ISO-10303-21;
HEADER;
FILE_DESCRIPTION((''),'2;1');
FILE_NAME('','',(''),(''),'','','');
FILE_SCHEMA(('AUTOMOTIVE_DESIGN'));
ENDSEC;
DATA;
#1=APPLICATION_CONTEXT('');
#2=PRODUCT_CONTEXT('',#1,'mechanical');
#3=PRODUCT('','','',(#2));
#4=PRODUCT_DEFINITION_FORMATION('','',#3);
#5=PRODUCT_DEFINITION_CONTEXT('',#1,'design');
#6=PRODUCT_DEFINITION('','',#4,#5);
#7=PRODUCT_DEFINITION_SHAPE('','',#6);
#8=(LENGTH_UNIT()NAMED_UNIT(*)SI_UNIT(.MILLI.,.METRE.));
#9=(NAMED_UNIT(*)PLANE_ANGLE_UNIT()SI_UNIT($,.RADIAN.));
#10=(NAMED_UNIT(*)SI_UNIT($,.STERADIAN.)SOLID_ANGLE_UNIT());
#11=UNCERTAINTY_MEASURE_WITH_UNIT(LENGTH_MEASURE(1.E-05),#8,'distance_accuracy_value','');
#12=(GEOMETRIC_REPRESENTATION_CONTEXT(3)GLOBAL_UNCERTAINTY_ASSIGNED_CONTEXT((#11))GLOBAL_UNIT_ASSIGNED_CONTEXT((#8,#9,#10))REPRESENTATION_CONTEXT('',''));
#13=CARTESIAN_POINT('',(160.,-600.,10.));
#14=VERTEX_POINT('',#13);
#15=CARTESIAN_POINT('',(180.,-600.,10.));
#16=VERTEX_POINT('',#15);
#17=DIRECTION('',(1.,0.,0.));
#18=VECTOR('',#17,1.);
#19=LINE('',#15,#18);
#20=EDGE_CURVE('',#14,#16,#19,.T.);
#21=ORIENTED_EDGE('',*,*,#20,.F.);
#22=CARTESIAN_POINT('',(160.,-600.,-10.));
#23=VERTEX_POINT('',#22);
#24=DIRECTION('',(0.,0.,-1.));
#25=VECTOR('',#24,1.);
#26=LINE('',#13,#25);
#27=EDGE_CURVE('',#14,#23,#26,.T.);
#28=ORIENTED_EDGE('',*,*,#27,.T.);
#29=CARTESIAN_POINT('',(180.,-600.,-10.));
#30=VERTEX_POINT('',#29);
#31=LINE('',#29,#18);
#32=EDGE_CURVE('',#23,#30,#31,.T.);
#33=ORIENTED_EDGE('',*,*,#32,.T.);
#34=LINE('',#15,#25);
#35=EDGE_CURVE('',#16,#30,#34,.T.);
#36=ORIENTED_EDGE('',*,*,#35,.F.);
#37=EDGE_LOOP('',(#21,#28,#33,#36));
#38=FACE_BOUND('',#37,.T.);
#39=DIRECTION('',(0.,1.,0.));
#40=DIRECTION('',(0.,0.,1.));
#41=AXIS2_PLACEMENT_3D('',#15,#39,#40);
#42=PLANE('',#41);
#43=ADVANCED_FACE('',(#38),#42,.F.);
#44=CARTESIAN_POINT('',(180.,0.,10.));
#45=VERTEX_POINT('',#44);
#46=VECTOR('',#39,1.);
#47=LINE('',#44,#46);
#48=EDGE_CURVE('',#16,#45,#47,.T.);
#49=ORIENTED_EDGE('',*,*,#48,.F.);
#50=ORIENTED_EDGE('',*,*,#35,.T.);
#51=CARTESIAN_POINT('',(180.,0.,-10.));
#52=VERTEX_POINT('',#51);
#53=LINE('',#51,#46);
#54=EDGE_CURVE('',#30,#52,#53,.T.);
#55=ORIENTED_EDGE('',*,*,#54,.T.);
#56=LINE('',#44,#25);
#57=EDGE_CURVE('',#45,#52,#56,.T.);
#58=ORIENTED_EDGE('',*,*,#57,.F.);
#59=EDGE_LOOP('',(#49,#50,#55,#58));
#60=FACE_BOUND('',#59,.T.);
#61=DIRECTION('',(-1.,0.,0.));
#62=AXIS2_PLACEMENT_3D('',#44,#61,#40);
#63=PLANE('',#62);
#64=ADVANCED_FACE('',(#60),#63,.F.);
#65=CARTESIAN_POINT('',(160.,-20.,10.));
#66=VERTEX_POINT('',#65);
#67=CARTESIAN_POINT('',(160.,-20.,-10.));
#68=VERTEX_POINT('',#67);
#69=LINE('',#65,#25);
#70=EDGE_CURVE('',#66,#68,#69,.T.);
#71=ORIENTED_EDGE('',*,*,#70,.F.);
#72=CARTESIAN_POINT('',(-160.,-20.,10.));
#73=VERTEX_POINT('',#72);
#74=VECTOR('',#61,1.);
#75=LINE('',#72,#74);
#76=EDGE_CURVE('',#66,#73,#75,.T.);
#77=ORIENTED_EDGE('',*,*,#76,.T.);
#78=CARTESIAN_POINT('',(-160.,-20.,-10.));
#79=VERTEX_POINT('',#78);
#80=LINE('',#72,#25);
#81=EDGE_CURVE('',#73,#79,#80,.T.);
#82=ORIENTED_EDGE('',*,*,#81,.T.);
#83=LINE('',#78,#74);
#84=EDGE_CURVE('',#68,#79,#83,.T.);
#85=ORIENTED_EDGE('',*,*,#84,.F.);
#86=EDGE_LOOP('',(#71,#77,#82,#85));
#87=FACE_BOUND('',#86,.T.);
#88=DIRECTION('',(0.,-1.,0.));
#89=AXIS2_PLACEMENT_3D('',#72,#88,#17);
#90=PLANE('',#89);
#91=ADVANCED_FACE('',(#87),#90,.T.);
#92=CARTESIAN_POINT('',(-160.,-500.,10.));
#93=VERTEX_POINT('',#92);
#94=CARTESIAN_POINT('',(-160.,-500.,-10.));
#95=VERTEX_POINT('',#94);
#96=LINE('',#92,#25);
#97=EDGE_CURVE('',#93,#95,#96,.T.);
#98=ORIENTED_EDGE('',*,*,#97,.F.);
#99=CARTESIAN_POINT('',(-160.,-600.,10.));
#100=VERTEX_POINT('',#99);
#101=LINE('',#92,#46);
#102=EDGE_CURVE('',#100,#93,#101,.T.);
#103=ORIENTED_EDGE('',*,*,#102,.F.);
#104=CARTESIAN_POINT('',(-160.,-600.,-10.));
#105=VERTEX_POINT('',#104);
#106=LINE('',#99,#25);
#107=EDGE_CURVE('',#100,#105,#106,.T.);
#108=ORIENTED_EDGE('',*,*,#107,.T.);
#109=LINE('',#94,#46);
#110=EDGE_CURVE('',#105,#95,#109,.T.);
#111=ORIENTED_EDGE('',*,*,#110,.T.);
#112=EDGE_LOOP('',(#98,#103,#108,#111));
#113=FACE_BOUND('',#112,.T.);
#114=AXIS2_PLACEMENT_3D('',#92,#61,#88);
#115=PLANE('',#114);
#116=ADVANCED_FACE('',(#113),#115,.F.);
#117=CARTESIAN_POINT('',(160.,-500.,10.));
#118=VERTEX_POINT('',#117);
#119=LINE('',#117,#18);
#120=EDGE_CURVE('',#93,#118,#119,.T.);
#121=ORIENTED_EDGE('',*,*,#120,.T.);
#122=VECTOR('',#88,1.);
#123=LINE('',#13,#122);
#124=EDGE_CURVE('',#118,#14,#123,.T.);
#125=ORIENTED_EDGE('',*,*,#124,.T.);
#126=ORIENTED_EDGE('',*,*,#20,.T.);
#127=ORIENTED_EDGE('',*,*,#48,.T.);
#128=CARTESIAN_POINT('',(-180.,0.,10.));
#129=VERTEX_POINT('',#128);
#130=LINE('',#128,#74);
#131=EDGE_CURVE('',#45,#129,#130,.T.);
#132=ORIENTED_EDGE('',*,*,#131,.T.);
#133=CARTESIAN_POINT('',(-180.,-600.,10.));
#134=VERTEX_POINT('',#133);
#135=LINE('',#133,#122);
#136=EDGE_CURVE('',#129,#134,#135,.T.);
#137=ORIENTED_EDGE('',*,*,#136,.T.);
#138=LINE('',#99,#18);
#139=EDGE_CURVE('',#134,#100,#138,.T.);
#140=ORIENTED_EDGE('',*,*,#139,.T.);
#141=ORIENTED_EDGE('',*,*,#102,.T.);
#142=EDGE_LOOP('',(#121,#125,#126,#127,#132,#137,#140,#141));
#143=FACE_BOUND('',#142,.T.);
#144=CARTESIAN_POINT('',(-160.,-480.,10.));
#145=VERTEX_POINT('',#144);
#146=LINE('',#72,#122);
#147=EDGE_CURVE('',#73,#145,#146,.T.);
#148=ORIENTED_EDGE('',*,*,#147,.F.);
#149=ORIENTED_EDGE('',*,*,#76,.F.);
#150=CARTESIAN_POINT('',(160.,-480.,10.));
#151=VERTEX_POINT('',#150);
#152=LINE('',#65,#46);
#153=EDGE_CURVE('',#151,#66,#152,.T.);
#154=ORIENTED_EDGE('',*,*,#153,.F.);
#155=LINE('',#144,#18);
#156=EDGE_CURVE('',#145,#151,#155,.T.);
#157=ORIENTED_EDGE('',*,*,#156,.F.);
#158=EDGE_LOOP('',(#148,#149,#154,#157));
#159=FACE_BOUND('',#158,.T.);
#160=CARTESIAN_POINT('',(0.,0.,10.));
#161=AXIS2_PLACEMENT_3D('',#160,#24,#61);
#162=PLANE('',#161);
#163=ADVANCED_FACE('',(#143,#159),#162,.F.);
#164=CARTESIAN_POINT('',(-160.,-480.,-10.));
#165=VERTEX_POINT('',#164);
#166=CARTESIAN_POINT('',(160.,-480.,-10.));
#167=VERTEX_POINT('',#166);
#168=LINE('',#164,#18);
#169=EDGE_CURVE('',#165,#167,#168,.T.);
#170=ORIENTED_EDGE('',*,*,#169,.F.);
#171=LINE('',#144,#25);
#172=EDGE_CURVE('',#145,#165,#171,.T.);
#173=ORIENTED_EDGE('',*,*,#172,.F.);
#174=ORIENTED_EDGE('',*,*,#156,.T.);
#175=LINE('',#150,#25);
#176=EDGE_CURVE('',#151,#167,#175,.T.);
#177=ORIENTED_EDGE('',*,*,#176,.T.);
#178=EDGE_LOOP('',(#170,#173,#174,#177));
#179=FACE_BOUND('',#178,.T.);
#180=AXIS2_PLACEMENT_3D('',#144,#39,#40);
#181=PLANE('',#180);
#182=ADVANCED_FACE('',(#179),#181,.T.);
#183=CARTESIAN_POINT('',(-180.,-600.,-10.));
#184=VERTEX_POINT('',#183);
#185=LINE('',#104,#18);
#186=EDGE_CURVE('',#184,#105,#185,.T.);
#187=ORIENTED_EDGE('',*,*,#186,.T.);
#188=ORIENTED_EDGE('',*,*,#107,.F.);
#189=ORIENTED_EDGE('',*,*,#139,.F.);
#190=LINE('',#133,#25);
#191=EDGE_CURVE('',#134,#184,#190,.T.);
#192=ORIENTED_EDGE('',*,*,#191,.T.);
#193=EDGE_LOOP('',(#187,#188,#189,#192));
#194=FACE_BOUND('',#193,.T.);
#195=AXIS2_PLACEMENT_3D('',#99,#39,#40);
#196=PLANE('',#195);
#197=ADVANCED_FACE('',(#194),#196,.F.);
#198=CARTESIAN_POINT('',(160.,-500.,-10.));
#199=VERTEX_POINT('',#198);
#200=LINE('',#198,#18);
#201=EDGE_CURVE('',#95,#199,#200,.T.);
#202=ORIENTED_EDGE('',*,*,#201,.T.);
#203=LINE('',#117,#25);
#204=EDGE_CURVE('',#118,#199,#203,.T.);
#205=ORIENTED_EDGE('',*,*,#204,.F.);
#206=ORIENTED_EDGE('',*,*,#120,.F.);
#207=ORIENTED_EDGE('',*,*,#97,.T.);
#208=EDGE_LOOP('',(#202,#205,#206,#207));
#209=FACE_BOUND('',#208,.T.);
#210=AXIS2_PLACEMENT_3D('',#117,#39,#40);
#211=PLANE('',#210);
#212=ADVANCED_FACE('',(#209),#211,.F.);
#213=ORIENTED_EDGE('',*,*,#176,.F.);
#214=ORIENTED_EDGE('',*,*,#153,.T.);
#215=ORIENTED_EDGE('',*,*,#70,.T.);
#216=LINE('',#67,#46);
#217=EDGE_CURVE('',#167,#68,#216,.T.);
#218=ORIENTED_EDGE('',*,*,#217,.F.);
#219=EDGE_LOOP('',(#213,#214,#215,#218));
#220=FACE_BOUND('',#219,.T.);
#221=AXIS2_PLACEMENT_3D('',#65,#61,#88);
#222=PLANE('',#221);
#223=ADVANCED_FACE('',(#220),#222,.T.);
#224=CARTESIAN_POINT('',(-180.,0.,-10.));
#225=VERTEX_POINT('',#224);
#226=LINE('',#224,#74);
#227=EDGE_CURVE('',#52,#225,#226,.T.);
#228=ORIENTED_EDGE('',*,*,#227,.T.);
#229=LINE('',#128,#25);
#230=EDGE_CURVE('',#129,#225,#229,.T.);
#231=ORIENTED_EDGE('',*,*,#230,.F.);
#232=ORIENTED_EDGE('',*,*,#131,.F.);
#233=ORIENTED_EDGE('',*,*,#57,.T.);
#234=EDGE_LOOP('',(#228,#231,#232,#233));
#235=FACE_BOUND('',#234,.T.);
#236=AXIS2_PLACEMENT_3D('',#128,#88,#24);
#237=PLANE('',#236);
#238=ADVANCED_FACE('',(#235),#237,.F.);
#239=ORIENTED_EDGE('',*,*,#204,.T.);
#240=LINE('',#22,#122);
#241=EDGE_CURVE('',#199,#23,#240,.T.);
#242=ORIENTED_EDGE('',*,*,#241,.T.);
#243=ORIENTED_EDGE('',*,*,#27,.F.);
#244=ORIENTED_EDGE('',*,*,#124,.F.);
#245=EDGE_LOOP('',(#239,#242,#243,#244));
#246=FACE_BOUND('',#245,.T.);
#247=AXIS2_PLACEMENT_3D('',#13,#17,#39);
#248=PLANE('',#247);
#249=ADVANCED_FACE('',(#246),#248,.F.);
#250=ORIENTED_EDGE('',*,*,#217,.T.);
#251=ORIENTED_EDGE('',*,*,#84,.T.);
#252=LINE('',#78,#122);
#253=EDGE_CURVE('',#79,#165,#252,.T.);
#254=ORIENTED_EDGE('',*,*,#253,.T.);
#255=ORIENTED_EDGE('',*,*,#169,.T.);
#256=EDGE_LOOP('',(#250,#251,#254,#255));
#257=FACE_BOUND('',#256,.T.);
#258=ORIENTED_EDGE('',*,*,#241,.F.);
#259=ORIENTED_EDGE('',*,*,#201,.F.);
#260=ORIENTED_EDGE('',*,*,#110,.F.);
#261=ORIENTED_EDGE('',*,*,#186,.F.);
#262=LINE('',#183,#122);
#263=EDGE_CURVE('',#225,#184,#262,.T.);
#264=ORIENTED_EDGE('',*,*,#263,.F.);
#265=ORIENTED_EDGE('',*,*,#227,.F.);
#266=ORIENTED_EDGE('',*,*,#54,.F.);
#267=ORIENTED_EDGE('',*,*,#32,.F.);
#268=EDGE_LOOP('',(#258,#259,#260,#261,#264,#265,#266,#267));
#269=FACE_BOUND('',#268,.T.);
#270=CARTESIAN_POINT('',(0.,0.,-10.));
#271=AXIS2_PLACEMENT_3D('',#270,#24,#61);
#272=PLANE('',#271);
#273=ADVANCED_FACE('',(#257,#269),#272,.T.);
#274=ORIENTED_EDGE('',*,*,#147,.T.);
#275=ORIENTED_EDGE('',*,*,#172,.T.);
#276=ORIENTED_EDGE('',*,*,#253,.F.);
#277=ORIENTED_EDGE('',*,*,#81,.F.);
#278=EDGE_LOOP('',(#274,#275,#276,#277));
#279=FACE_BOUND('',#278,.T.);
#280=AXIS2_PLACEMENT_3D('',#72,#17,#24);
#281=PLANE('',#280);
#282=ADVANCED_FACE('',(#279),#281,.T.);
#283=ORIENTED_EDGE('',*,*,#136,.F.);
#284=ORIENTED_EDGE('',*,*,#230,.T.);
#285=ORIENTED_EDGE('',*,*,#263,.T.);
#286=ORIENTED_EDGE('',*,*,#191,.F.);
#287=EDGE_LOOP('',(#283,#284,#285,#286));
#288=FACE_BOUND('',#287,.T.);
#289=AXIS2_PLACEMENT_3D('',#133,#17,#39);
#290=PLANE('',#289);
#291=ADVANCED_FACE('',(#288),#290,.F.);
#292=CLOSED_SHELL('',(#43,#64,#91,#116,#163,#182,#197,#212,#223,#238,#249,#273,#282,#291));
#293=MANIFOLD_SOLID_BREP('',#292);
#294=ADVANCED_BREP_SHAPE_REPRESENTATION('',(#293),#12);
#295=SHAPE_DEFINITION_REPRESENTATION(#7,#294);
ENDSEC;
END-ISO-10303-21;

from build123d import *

# Parameters (mm, degrees)
SKETCH1_W           = 320
SKETCH1_H           = 460
BOSS_EXTRUDE1_DEPTH = 10


with BuildPart() as part:
    # Sketch1 → Boss-Extrude1 (new, symmetric)
    with BuildSketch(Plane.XY):
        Polygon((-180, -600), (-180, 0), (180, 0), (180, -600), (160, -600), (160, -500), (-160, -500), (-160, -600), align=None)
        with Locations((0, -250)):
            Rectangle(SKETCH1_W, SKETCH1_H, mode=Mode.SUBTRACT)
    extrude(amount=BOSS_EXTRUDE1_DEPTH, both=True)


solid = part.part
